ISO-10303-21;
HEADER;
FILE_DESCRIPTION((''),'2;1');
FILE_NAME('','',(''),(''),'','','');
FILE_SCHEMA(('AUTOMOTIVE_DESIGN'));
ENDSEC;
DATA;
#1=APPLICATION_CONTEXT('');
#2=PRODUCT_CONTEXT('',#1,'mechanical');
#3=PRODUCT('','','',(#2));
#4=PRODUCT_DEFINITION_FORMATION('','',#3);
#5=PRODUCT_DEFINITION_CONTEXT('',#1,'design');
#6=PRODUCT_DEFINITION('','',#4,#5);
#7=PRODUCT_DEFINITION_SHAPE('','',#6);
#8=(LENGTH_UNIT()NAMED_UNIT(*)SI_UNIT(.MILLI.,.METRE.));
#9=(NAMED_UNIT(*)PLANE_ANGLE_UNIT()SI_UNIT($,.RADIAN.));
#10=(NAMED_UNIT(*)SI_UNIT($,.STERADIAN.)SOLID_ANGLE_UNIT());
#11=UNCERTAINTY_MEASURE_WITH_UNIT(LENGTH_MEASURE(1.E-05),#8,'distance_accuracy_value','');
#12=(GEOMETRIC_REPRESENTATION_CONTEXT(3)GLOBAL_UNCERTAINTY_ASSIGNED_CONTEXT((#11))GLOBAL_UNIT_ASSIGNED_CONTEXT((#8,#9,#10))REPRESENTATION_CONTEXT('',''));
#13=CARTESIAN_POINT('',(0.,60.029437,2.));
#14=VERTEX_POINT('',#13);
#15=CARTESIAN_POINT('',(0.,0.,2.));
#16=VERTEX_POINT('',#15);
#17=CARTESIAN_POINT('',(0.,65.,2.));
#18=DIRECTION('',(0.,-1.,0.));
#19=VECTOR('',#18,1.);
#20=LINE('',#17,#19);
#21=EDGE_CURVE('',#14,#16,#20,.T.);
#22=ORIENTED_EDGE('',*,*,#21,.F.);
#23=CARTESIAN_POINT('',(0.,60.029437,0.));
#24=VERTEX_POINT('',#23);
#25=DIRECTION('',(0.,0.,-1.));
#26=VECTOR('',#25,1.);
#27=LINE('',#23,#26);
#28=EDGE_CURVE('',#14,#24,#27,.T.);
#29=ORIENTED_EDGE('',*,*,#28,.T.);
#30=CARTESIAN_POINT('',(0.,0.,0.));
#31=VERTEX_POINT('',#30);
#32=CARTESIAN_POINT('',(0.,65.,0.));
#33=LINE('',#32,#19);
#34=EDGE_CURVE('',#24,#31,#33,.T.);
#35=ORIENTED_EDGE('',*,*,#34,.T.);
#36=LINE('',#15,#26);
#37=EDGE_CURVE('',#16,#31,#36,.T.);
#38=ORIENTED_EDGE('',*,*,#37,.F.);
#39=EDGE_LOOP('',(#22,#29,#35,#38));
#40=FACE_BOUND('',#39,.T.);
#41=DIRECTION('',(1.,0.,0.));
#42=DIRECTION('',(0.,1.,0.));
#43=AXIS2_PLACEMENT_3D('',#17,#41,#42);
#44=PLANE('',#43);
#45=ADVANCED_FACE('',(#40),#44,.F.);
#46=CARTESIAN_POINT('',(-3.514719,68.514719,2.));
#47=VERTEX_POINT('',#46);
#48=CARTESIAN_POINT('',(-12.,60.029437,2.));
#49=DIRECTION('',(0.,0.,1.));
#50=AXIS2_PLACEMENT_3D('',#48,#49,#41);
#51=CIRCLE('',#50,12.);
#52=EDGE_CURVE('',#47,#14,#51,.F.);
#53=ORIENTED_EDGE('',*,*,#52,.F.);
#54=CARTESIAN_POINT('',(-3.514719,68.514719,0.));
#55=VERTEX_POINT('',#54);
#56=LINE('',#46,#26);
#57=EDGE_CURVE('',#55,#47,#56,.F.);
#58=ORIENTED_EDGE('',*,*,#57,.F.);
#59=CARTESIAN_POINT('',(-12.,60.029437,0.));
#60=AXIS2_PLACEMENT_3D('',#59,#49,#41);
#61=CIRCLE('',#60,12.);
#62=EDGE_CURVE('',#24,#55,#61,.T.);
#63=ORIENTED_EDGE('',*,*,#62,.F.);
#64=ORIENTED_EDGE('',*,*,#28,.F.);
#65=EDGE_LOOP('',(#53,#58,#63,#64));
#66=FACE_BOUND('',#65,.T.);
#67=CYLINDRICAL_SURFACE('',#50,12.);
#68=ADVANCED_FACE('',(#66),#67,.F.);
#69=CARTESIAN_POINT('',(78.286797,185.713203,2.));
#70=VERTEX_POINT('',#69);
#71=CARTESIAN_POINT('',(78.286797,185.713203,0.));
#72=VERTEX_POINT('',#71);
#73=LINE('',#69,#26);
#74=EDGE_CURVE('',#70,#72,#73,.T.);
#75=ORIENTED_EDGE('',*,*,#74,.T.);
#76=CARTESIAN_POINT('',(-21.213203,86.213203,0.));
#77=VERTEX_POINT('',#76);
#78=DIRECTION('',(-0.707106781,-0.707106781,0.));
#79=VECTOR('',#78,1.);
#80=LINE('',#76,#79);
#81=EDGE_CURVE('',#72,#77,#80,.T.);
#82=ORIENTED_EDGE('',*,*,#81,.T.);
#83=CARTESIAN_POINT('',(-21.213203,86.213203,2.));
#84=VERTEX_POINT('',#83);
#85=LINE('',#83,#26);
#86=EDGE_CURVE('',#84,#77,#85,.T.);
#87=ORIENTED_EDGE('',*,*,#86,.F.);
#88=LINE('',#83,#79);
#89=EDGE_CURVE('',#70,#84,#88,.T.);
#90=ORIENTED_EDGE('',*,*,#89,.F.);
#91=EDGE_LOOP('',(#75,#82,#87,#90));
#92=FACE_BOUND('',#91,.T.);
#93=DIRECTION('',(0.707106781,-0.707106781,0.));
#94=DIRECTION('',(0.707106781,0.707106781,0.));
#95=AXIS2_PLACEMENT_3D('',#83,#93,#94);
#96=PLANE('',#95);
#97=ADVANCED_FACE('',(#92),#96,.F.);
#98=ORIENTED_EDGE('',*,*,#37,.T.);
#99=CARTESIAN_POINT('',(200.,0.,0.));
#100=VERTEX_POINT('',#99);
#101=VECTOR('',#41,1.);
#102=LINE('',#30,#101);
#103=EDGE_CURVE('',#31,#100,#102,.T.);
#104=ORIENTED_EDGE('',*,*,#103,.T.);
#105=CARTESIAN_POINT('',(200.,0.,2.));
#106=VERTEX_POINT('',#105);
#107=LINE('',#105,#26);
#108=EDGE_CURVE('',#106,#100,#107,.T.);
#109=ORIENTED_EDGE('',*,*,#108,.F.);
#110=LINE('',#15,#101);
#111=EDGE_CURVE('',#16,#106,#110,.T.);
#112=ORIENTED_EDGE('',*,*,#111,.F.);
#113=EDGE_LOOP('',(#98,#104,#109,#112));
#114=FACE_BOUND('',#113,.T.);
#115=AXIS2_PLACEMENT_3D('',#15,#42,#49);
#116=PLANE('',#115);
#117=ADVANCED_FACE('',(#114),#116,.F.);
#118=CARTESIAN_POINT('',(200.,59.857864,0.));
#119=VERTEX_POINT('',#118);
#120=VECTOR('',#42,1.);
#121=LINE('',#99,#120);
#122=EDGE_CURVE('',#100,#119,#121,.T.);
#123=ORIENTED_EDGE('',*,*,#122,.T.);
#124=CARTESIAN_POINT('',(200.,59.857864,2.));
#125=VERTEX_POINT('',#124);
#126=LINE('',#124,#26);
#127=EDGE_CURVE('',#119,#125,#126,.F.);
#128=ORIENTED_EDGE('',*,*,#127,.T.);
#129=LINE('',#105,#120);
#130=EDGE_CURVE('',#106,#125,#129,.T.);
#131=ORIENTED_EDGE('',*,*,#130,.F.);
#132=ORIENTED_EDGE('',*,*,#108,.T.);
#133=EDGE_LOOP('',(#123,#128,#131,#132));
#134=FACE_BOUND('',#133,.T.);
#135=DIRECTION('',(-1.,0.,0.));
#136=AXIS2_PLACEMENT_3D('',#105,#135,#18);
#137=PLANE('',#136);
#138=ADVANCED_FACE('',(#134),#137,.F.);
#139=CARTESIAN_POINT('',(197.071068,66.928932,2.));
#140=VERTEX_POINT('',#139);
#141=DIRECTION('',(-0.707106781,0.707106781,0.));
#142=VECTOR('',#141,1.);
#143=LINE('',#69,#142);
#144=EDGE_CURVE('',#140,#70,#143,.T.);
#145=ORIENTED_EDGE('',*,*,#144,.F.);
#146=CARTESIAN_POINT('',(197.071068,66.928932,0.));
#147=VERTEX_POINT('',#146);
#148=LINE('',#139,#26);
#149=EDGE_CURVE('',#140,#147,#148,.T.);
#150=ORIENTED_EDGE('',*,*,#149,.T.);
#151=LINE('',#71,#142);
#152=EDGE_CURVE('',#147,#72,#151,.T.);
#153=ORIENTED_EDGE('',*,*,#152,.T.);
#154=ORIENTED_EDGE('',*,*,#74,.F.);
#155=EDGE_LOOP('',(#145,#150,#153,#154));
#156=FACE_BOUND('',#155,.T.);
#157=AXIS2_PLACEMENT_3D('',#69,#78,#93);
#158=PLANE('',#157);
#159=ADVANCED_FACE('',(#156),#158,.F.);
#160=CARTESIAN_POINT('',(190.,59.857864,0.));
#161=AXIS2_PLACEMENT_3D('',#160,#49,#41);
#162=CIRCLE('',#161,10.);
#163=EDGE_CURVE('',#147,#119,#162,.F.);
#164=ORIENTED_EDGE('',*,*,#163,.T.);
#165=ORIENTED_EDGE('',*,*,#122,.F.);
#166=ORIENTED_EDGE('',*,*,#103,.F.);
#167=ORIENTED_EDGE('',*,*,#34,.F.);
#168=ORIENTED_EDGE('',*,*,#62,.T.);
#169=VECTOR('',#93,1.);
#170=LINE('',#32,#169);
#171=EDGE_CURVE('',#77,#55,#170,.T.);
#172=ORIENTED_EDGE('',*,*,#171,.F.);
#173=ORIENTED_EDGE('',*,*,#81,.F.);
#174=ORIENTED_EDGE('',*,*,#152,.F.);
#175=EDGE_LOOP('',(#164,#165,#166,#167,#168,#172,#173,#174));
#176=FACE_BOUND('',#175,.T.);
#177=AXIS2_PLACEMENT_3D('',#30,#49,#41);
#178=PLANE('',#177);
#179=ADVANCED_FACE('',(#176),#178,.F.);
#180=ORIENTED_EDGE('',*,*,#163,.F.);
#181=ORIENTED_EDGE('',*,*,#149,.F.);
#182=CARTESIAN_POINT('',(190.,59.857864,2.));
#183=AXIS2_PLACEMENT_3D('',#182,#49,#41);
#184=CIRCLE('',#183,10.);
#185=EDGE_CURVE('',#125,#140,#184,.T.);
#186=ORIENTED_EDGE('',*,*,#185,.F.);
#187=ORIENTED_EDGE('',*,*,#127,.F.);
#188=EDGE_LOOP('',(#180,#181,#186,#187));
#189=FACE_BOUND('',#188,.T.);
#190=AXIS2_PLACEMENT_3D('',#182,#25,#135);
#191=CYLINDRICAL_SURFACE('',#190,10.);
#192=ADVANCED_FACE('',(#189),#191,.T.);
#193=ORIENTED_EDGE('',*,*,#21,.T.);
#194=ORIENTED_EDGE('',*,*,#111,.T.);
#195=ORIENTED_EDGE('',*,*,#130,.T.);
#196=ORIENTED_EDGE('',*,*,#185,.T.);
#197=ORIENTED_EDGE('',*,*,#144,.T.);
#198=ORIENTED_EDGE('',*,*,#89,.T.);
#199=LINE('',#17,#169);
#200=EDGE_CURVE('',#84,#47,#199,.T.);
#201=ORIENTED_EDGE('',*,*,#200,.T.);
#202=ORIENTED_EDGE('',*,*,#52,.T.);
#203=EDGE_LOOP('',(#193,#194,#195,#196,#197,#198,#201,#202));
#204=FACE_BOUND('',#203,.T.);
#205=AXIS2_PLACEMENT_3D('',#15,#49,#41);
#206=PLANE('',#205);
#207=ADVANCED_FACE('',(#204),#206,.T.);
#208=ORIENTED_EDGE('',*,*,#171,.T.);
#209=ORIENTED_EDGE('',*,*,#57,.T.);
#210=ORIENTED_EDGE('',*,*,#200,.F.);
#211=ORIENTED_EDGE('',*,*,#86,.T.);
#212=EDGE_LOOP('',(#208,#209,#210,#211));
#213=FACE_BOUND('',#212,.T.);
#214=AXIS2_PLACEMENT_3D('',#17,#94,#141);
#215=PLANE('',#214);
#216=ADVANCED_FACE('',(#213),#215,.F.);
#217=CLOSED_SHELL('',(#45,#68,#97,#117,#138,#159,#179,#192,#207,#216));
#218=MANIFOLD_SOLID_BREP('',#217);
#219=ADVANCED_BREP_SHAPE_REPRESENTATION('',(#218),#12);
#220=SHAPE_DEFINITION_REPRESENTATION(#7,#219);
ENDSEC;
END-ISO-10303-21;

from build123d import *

# Parameters (mm, degrees)
EXTRUDE_2_DEPTH = 2
FILLET_1_R      = 10
FILLET_2_R      = 12


with BuildPart() as part:
    # Эскиз2 → Бобышка-Вытянуть2 (new body)
    with BuildSketch(Plane.XY):
        Polygon((0, 0), (200, 0), (200, 64), (78.286796564, 185.713203436), (-21.213203436, 86.213203436), (0, 65), align=None)
    extrude(amount=EXTRUDE_2_DEPTH)

    # Скругление1
    fillet_1_edges = [part.edges().sort_by_distance(p)[0] for p in [
        (200, 64, 1),
    ]]
    fillet(fillet_1_edges, radius=FILLET_1_R)

    # Скругление2
    fillet_2_edges = [part.edges().sort_by_distance(p)[0] for p in [
        (0, 65, 1),
    ]]
    fillet(fillet_2_edges, radius=FILLET_2_R)


solid = part.part
